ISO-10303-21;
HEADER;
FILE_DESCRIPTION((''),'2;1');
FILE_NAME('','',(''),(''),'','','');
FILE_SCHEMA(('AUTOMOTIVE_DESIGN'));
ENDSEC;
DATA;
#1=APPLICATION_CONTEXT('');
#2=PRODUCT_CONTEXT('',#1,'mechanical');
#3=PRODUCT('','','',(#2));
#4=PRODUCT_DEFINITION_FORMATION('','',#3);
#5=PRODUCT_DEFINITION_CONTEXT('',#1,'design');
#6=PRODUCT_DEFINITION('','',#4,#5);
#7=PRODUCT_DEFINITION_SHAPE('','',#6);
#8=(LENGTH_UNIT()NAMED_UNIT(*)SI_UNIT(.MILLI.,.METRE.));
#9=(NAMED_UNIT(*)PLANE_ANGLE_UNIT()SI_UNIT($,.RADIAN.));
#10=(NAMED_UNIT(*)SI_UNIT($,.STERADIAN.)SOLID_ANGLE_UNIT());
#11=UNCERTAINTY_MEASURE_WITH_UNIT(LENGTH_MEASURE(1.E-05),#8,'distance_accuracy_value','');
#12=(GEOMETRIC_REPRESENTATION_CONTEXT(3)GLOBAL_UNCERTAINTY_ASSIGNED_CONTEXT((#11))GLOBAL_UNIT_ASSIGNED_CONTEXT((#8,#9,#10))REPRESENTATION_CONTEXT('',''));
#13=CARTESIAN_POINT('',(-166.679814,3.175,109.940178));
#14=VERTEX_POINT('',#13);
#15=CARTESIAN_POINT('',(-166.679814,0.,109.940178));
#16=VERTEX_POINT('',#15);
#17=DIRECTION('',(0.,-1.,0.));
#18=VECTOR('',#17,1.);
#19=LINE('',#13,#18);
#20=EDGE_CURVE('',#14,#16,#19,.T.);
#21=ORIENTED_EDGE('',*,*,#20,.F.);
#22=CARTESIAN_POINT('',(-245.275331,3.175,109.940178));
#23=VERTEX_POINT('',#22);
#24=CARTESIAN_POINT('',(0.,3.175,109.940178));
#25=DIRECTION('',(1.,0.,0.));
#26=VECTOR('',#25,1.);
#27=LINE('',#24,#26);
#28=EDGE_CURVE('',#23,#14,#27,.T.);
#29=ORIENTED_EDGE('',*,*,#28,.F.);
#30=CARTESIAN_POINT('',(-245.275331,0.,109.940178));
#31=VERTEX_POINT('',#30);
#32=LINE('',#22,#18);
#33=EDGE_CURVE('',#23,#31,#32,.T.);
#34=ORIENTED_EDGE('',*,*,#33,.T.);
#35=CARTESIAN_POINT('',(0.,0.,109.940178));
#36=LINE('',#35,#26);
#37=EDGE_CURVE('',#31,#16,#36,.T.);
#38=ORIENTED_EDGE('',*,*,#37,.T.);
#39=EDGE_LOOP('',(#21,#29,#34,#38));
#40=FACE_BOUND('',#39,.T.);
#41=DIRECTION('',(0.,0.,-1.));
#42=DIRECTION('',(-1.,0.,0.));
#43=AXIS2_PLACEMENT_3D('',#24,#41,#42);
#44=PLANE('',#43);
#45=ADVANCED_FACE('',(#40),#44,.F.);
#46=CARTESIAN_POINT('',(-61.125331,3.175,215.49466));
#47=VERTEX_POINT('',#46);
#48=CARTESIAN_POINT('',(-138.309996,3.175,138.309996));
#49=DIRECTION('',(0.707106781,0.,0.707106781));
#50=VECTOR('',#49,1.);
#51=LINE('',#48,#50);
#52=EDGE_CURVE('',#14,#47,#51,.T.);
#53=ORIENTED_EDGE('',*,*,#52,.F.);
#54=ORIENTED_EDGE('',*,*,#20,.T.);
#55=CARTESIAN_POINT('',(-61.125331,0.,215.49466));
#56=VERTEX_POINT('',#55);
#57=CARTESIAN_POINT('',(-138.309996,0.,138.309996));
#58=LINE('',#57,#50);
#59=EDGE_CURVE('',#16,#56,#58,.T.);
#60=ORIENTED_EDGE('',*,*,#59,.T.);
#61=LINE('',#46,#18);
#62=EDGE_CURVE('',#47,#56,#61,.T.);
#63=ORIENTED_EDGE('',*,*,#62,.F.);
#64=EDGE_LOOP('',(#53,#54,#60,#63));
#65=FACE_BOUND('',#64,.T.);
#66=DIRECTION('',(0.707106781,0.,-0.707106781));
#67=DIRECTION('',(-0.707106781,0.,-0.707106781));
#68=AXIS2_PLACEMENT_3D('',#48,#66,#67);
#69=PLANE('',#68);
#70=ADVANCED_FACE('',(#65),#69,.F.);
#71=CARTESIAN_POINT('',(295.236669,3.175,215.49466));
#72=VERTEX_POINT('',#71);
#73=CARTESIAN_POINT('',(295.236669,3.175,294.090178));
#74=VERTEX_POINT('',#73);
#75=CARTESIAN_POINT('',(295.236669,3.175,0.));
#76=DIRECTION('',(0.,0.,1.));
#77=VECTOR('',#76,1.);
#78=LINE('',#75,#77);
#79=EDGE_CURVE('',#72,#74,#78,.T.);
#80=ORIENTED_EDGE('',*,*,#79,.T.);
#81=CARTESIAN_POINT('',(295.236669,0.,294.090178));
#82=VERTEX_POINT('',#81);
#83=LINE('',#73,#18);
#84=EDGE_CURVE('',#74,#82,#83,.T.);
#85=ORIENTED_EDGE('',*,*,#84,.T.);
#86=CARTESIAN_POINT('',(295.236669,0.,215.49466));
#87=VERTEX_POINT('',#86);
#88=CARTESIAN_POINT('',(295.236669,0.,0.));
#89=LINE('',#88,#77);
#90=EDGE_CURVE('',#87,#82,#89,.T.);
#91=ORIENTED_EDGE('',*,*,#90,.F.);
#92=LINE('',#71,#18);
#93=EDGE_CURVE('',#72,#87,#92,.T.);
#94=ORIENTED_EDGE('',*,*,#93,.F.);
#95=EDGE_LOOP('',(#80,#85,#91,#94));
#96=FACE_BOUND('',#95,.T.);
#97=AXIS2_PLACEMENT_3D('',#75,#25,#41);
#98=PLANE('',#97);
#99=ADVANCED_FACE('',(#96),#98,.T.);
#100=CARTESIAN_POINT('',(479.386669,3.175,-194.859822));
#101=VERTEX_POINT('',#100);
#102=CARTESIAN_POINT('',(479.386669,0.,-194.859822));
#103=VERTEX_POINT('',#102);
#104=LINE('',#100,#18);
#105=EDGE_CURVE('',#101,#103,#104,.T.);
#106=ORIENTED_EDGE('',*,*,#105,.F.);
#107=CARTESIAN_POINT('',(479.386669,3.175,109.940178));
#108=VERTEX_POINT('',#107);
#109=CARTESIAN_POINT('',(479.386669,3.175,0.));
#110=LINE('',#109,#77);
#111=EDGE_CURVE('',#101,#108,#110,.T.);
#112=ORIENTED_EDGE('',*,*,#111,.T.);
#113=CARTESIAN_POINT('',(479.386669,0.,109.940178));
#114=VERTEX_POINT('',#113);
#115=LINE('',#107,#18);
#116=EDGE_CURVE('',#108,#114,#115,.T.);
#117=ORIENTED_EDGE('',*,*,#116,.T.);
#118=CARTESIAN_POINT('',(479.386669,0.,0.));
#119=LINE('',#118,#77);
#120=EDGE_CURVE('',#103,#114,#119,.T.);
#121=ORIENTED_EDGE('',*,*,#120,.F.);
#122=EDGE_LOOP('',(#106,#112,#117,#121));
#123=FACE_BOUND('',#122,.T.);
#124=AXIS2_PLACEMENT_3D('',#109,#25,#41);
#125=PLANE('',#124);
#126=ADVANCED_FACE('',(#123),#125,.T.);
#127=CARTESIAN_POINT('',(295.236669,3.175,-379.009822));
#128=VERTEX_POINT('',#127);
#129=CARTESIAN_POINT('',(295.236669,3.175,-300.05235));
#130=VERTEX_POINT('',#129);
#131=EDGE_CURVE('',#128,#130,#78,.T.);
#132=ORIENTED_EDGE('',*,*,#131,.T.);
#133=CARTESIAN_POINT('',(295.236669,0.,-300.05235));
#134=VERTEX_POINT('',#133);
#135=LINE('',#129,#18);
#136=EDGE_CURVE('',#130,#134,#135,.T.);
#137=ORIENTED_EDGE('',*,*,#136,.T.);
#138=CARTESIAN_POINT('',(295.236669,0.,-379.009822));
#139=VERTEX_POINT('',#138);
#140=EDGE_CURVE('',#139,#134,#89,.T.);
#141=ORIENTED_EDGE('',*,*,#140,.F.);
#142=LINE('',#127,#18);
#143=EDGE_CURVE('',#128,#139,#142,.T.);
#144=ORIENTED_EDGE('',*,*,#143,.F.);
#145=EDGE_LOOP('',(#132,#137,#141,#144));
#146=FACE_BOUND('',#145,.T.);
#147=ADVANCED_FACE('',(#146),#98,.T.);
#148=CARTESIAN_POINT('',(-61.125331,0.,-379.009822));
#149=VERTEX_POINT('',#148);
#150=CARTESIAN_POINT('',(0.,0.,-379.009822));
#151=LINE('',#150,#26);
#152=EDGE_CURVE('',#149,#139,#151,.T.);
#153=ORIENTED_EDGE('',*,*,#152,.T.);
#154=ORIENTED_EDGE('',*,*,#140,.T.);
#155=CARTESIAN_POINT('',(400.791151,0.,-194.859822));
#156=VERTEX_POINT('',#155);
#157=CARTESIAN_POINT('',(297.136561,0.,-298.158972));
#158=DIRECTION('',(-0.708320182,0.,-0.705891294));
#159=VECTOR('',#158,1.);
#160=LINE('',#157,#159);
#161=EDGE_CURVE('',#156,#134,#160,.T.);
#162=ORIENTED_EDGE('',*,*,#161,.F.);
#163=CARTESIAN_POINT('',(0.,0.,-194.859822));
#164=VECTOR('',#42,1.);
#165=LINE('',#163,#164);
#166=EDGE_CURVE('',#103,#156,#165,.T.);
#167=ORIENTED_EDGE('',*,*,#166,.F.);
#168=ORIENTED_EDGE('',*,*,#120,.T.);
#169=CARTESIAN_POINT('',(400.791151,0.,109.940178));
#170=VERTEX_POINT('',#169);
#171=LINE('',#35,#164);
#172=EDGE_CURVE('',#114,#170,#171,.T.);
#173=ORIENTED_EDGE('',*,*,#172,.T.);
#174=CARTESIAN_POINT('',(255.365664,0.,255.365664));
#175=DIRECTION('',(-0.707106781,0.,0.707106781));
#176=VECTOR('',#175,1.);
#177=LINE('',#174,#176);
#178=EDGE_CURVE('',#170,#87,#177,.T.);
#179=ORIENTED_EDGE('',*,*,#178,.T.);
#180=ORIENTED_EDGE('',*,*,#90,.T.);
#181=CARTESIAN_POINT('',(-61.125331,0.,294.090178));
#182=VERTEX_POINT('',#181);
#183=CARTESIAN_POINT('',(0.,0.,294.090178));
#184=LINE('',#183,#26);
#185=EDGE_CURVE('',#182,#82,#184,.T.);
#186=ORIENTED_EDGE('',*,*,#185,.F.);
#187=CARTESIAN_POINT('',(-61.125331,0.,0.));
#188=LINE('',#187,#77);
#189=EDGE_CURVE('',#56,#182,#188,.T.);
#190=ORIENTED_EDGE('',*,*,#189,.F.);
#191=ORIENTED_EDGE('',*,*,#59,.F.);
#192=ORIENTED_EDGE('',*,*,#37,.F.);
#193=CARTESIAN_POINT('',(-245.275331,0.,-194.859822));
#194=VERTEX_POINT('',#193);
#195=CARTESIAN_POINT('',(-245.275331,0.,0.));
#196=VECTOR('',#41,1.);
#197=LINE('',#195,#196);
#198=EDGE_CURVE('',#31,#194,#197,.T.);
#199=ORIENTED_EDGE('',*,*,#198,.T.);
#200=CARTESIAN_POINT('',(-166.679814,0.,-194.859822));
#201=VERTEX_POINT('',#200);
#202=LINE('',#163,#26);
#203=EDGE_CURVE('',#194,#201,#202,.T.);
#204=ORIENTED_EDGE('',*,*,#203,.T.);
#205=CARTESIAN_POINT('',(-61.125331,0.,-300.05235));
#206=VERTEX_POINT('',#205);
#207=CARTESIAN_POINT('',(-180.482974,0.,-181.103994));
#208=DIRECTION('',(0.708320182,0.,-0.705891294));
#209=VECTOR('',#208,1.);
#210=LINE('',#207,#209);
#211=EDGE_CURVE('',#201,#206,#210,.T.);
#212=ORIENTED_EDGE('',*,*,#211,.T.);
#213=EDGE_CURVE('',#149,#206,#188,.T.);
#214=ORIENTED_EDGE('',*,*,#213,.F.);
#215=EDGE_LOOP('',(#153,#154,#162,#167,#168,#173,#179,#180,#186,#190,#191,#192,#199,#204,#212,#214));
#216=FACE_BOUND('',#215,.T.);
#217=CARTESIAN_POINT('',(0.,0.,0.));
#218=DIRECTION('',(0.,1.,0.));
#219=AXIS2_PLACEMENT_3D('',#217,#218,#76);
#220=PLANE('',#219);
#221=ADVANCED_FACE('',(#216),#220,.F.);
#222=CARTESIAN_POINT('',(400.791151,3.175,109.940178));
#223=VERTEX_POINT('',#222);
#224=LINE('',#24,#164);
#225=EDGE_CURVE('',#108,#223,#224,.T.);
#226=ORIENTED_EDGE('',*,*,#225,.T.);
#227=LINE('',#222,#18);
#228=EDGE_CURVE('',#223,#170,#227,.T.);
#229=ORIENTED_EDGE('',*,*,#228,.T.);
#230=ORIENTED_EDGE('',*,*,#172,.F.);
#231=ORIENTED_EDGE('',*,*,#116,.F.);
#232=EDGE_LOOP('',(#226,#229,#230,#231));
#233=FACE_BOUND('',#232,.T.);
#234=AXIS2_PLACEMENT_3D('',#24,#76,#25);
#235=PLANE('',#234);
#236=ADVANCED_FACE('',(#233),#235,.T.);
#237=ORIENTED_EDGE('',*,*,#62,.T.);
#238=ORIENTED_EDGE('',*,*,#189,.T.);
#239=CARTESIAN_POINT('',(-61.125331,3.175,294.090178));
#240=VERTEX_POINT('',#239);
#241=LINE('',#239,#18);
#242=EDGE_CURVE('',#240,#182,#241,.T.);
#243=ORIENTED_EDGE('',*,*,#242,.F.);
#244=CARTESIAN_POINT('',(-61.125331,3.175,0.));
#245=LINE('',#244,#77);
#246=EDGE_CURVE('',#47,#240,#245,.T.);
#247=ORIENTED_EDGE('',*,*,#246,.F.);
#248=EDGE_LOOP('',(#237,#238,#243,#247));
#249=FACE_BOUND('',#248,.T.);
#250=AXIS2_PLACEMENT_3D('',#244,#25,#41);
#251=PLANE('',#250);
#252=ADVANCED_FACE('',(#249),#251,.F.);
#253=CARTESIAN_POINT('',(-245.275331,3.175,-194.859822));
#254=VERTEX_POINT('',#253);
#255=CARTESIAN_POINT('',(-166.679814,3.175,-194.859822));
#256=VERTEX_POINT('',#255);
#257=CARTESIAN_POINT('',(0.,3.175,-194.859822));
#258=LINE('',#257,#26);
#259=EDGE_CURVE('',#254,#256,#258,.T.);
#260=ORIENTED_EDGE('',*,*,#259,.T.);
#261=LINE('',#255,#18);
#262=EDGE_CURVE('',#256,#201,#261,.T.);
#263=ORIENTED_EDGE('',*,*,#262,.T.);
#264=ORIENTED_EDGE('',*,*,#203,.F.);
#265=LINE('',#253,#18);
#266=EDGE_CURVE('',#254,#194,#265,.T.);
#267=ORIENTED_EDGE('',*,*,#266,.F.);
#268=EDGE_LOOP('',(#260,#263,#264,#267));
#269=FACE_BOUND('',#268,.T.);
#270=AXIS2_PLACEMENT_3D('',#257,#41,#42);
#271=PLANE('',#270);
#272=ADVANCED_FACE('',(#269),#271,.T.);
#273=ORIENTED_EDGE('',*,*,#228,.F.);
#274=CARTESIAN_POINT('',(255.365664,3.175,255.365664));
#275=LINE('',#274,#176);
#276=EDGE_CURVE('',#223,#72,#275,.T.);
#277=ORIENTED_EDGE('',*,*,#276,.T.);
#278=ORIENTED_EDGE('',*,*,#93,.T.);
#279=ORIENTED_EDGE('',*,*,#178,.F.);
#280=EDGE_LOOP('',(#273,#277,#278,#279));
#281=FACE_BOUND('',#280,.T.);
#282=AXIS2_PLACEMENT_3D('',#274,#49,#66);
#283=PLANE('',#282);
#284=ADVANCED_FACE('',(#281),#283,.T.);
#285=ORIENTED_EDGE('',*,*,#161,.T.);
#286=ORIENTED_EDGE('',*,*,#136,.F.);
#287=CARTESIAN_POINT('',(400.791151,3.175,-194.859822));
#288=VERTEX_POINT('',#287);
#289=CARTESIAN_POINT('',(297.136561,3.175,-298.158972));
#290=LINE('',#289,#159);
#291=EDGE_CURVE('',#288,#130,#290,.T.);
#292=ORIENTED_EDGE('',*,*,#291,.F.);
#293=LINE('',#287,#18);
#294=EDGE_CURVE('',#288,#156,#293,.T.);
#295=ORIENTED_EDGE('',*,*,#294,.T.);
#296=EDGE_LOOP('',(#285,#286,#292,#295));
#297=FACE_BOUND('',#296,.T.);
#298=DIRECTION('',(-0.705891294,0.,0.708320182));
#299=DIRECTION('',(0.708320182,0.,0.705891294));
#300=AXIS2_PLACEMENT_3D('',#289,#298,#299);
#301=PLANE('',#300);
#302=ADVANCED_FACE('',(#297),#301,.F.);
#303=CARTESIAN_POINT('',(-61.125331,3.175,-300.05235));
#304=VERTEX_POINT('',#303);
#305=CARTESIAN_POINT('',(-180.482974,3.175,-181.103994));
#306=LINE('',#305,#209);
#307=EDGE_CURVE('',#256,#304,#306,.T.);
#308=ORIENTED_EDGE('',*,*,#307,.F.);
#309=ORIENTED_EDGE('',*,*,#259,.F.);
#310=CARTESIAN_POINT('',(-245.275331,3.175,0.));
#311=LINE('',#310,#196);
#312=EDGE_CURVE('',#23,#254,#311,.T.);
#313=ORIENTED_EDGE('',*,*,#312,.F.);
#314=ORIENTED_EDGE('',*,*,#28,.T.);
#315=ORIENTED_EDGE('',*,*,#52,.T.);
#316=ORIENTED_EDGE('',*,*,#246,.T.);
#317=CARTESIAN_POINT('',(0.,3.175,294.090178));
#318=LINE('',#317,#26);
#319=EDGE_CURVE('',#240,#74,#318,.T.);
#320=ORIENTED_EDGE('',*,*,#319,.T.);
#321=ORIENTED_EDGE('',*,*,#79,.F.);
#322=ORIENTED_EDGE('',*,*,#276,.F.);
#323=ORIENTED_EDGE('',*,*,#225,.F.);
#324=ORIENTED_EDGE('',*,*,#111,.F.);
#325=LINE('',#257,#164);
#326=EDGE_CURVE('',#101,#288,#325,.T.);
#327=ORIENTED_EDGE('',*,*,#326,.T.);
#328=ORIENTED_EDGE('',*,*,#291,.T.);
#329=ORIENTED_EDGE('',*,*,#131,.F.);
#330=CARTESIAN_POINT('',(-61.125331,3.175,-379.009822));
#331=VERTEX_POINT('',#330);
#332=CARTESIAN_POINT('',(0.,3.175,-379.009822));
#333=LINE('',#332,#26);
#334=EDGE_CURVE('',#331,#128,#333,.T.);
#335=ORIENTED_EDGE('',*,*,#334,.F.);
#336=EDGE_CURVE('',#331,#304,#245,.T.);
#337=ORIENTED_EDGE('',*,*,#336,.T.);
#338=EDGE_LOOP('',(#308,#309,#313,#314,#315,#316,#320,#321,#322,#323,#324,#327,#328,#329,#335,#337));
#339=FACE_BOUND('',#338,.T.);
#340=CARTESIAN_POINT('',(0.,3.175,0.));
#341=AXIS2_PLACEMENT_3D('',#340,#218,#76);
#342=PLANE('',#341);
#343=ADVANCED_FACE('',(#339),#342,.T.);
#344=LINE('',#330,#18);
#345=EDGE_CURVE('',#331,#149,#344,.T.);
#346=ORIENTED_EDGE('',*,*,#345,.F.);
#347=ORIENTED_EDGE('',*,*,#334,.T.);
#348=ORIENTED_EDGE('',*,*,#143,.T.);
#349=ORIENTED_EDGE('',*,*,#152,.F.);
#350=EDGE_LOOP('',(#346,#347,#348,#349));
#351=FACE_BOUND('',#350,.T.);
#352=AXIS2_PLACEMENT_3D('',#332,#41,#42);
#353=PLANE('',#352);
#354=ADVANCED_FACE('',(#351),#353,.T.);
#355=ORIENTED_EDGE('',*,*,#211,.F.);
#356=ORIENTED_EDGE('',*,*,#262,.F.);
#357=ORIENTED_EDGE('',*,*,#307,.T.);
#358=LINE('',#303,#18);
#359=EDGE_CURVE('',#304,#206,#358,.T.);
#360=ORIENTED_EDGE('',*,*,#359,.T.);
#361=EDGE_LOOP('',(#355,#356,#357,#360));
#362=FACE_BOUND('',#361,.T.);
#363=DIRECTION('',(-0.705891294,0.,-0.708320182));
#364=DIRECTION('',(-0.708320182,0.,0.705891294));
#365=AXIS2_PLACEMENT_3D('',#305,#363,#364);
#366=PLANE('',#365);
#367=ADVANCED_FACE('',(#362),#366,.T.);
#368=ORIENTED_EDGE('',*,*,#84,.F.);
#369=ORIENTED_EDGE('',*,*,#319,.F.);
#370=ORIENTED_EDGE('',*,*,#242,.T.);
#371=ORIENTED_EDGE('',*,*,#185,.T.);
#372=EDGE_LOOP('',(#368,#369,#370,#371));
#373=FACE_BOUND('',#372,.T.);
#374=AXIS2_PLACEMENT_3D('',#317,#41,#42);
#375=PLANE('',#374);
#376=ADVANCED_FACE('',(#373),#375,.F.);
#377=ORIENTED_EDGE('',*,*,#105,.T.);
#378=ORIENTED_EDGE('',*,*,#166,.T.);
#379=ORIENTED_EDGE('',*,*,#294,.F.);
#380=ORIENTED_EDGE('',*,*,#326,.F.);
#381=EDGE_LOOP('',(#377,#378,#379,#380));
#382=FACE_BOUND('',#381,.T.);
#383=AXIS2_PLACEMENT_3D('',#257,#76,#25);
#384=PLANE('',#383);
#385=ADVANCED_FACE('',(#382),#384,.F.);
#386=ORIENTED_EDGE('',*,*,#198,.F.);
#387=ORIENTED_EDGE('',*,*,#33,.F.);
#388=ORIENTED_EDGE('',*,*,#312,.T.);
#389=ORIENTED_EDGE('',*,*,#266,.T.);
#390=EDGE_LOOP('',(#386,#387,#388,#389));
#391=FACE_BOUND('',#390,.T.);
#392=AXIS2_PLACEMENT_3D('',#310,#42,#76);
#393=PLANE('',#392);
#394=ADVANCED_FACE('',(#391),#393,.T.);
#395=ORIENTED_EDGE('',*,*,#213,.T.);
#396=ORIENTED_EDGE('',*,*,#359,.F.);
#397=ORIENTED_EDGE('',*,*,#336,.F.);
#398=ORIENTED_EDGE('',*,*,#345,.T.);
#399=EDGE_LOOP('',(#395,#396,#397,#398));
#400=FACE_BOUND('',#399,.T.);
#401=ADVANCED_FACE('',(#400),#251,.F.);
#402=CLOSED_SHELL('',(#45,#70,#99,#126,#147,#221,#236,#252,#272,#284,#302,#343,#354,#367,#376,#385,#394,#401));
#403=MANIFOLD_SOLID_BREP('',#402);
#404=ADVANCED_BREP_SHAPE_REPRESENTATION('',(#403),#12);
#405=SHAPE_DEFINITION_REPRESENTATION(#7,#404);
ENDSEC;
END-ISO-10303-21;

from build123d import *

# Parameters (mm, degrees)
BOSS_EXTRUDE1_DEPTH = 3.175


with BuildPart() as part:
    # Sketch1 → Boss-Extrude1 (new body)
    with BuildSketch(Plane(origin=(0, 0, 0), x_dir=(1, 0, 0), z_dir=(0, 1, 0))):
        Polygon((-166.67981351, 194.859822415), (-245.275331259, 194.859822415), (-245.275331259, -109.940177585), (-166.67981351, -109.940177585), (-61.125331259, -215.494659836), (-61.125331259, -294.090177585), (117.817668741, -294.090177585), (117.055668741, 379.009822415), (-61.125331259, 379.009822415), (-61.125331259, 300.052349659), align=None)
        Polygon((295.236668741, 379.009822415), (117.055668741, 379.009822415), (117.817668741, -294.090177585), (295.236668741, -294.090177585), (295.236668741, -215.494659836), (400.791150992, -109.940177585), (479.386668741, -109.940177585), (479.386668741, 194.859822415), (400.791150992, 194.859822415), (295.236668741, 300.052349659), align=None)
    extrude(amount=BOSS_EXTRUDE1_DEPTH)


solid = part.part
